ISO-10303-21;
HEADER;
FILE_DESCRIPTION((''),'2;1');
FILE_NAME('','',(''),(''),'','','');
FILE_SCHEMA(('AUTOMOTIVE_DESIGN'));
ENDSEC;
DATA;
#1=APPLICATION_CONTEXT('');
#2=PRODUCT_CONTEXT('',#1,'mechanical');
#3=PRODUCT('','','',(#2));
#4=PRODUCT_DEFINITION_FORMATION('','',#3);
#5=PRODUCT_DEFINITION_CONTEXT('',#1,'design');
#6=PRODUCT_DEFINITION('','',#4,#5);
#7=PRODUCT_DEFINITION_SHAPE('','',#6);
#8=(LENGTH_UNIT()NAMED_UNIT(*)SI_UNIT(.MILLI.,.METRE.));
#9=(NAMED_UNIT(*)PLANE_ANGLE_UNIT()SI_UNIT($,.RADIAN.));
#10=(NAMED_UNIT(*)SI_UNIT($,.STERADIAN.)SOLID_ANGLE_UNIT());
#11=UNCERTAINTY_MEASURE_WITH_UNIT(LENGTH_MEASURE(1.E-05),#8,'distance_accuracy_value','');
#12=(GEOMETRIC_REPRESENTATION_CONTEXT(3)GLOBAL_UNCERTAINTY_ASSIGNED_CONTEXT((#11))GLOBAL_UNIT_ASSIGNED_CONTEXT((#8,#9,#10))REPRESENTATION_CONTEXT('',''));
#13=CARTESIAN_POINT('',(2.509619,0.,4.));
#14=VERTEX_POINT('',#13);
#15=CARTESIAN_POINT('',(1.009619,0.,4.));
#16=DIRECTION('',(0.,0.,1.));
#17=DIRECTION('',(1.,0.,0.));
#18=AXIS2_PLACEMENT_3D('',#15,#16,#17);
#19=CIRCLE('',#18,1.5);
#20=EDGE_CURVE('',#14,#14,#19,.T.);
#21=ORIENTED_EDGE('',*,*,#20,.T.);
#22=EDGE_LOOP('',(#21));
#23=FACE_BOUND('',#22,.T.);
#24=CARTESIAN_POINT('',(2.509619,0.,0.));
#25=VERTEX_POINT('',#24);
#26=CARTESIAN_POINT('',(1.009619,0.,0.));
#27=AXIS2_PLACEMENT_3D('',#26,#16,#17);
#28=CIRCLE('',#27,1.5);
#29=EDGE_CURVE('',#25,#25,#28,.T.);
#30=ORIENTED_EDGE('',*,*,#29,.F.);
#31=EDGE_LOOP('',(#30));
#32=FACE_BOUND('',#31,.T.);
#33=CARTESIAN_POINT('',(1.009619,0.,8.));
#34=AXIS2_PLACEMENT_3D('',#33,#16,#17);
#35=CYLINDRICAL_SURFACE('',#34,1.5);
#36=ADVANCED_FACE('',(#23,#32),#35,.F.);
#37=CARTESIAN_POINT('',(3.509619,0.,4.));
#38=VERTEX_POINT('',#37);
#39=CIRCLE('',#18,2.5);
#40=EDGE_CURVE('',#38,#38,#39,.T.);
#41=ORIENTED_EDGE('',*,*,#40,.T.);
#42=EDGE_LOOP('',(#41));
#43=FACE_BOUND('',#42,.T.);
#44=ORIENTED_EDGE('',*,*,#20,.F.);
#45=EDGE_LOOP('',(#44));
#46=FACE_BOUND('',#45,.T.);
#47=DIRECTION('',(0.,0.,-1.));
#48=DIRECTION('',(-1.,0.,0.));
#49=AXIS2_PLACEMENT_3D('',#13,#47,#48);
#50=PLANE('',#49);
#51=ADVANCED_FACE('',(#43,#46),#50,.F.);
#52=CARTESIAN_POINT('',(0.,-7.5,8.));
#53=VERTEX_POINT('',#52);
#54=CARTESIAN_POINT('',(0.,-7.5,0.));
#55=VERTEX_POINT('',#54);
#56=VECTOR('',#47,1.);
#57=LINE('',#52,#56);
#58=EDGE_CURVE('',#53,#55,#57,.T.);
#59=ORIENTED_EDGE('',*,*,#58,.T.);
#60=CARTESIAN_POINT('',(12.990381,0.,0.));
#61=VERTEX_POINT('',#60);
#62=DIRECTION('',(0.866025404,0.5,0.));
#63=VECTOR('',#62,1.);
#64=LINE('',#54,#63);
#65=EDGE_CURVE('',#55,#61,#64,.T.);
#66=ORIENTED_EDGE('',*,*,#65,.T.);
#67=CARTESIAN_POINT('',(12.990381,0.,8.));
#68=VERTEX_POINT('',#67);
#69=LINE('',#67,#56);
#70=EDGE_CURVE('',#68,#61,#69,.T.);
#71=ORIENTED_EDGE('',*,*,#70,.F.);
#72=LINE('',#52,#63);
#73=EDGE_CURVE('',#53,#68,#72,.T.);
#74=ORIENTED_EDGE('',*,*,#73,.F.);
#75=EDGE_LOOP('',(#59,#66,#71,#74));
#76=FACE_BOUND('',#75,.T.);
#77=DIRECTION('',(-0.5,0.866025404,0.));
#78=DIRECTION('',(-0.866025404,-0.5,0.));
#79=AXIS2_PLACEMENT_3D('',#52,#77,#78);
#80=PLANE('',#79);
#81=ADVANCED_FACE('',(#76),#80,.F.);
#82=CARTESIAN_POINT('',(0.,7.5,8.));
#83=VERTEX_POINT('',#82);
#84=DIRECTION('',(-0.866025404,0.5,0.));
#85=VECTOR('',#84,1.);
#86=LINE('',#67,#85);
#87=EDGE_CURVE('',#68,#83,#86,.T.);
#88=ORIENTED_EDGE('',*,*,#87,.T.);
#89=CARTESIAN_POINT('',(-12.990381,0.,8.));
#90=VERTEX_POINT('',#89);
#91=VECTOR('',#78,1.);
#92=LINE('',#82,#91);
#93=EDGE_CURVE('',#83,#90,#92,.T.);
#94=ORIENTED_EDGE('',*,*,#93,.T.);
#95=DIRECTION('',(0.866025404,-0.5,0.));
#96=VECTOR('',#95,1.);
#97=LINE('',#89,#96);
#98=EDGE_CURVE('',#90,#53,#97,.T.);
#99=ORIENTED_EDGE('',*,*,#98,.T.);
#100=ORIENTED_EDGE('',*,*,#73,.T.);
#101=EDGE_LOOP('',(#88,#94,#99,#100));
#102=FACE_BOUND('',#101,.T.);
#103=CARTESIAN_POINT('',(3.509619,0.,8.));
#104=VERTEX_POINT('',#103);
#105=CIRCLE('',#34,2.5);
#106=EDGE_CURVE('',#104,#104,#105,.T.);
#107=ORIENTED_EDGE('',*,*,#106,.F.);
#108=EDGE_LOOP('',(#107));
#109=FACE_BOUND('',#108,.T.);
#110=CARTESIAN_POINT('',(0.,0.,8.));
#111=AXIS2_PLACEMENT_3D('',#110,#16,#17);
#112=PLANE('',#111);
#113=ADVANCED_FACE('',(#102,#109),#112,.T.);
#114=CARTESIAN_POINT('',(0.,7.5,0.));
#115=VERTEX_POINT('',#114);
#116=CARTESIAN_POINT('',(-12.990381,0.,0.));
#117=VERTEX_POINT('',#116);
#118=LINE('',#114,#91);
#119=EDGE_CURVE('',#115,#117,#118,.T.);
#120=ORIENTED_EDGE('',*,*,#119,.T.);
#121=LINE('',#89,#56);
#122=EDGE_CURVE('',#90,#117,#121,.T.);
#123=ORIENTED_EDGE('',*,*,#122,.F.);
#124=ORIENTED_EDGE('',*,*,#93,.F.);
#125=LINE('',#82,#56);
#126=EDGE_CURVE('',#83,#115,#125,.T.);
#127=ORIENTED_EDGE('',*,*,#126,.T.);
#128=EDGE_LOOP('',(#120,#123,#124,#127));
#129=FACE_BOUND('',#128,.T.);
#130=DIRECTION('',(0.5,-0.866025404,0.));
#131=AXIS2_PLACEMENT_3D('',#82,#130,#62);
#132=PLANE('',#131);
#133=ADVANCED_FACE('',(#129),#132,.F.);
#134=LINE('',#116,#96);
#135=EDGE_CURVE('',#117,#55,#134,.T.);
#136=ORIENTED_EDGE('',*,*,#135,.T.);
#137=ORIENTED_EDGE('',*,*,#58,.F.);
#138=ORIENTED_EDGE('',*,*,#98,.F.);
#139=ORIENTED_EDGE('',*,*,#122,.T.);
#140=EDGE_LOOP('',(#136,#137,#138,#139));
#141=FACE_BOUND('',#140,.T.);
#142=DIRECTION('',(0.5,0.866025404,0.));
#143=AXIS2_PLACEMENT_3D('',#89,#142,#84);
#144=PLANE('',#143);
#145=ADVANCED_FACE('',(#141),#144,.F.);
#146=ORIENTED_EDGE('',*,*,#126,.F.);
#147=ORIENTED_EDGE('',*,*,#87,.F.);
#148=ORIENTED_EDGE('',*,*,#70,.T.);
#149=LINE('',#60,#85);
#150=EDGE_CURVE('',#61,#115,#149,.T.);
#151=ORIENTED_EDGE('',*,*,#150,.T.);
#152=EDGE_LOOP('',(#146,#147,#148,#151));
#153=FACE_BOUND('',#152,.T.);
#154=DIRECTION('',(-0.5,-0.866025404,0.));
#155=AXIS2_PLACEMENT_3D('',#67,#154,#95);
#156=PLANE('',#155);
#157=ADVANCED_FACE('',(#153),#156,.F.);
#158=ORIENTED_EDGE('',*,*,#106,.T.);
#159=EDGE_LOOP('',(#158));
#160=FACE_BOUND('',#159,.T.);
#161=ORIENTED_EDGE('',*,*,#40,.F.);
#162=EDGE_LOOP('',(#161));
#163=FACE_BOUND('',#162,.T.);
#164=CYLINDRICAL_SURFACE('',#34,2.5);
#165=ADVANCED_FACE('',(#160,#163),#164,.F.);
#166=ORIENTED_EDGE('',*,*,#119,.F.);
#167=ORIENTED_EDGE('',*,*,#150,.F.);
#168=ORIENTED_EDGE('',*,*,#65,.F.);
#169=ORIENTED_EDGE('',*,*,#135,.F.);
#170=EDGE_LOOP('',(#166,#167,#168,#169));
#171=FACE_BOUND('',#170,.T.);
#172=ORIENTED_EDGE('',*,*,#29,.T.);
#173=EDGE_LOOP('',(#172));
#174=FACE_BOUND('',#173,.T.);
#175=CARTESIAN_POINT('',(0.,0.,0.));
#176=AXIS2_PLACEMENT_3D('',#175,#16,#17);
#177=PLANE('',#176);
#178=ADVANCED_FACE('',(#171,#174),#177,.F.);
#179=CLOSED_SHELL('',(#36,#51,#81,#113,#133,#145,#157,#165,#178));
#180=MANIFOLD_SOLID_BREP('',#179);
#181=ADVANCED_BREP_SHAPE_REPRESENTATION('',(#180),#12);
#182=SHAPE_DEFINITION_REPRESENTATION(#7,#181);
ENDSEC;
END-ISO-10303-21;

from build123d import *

# Parameters (mm, degrees)
EXTRUDE_1_DEPTH           = 8
HOLE_WIZARD_3_D           = 3
HOLE_WIZARD_3_DEPTH       = 9
HOLE_WIZARD_3_CBORE_D     = 5
HOLE_WIZARD_3_CBORE_DEPTH = 4


with BuildPart() as part:
    # 草图1 → 凸台-拉伸1 (new body)
    with BuildSketch(Plane.XY):
        Polygon((0, 7.5), (-12.990381057, 0), (0, -7.5), (12.990381057, 0), align=None)
    extrude(amount=EXTRUDE_1_DEPTH)

    # 孔3
    with Locations(Plane(origin=(1.009618943, 0, 8), x_dir=(1, 0, 0), z_dir=(0, 0, 1))):
        with Locations((0, 0)):
            CounterBoreHole(HOLE_WIZARD_3_D / 2, HOLE_WIZARD_3_CBORE_D / 2, HOLE_WIZARD_3_CBORE_DEPTH, depth=HOLE_WIZARD_3_DEPTH)


solid = part.part
